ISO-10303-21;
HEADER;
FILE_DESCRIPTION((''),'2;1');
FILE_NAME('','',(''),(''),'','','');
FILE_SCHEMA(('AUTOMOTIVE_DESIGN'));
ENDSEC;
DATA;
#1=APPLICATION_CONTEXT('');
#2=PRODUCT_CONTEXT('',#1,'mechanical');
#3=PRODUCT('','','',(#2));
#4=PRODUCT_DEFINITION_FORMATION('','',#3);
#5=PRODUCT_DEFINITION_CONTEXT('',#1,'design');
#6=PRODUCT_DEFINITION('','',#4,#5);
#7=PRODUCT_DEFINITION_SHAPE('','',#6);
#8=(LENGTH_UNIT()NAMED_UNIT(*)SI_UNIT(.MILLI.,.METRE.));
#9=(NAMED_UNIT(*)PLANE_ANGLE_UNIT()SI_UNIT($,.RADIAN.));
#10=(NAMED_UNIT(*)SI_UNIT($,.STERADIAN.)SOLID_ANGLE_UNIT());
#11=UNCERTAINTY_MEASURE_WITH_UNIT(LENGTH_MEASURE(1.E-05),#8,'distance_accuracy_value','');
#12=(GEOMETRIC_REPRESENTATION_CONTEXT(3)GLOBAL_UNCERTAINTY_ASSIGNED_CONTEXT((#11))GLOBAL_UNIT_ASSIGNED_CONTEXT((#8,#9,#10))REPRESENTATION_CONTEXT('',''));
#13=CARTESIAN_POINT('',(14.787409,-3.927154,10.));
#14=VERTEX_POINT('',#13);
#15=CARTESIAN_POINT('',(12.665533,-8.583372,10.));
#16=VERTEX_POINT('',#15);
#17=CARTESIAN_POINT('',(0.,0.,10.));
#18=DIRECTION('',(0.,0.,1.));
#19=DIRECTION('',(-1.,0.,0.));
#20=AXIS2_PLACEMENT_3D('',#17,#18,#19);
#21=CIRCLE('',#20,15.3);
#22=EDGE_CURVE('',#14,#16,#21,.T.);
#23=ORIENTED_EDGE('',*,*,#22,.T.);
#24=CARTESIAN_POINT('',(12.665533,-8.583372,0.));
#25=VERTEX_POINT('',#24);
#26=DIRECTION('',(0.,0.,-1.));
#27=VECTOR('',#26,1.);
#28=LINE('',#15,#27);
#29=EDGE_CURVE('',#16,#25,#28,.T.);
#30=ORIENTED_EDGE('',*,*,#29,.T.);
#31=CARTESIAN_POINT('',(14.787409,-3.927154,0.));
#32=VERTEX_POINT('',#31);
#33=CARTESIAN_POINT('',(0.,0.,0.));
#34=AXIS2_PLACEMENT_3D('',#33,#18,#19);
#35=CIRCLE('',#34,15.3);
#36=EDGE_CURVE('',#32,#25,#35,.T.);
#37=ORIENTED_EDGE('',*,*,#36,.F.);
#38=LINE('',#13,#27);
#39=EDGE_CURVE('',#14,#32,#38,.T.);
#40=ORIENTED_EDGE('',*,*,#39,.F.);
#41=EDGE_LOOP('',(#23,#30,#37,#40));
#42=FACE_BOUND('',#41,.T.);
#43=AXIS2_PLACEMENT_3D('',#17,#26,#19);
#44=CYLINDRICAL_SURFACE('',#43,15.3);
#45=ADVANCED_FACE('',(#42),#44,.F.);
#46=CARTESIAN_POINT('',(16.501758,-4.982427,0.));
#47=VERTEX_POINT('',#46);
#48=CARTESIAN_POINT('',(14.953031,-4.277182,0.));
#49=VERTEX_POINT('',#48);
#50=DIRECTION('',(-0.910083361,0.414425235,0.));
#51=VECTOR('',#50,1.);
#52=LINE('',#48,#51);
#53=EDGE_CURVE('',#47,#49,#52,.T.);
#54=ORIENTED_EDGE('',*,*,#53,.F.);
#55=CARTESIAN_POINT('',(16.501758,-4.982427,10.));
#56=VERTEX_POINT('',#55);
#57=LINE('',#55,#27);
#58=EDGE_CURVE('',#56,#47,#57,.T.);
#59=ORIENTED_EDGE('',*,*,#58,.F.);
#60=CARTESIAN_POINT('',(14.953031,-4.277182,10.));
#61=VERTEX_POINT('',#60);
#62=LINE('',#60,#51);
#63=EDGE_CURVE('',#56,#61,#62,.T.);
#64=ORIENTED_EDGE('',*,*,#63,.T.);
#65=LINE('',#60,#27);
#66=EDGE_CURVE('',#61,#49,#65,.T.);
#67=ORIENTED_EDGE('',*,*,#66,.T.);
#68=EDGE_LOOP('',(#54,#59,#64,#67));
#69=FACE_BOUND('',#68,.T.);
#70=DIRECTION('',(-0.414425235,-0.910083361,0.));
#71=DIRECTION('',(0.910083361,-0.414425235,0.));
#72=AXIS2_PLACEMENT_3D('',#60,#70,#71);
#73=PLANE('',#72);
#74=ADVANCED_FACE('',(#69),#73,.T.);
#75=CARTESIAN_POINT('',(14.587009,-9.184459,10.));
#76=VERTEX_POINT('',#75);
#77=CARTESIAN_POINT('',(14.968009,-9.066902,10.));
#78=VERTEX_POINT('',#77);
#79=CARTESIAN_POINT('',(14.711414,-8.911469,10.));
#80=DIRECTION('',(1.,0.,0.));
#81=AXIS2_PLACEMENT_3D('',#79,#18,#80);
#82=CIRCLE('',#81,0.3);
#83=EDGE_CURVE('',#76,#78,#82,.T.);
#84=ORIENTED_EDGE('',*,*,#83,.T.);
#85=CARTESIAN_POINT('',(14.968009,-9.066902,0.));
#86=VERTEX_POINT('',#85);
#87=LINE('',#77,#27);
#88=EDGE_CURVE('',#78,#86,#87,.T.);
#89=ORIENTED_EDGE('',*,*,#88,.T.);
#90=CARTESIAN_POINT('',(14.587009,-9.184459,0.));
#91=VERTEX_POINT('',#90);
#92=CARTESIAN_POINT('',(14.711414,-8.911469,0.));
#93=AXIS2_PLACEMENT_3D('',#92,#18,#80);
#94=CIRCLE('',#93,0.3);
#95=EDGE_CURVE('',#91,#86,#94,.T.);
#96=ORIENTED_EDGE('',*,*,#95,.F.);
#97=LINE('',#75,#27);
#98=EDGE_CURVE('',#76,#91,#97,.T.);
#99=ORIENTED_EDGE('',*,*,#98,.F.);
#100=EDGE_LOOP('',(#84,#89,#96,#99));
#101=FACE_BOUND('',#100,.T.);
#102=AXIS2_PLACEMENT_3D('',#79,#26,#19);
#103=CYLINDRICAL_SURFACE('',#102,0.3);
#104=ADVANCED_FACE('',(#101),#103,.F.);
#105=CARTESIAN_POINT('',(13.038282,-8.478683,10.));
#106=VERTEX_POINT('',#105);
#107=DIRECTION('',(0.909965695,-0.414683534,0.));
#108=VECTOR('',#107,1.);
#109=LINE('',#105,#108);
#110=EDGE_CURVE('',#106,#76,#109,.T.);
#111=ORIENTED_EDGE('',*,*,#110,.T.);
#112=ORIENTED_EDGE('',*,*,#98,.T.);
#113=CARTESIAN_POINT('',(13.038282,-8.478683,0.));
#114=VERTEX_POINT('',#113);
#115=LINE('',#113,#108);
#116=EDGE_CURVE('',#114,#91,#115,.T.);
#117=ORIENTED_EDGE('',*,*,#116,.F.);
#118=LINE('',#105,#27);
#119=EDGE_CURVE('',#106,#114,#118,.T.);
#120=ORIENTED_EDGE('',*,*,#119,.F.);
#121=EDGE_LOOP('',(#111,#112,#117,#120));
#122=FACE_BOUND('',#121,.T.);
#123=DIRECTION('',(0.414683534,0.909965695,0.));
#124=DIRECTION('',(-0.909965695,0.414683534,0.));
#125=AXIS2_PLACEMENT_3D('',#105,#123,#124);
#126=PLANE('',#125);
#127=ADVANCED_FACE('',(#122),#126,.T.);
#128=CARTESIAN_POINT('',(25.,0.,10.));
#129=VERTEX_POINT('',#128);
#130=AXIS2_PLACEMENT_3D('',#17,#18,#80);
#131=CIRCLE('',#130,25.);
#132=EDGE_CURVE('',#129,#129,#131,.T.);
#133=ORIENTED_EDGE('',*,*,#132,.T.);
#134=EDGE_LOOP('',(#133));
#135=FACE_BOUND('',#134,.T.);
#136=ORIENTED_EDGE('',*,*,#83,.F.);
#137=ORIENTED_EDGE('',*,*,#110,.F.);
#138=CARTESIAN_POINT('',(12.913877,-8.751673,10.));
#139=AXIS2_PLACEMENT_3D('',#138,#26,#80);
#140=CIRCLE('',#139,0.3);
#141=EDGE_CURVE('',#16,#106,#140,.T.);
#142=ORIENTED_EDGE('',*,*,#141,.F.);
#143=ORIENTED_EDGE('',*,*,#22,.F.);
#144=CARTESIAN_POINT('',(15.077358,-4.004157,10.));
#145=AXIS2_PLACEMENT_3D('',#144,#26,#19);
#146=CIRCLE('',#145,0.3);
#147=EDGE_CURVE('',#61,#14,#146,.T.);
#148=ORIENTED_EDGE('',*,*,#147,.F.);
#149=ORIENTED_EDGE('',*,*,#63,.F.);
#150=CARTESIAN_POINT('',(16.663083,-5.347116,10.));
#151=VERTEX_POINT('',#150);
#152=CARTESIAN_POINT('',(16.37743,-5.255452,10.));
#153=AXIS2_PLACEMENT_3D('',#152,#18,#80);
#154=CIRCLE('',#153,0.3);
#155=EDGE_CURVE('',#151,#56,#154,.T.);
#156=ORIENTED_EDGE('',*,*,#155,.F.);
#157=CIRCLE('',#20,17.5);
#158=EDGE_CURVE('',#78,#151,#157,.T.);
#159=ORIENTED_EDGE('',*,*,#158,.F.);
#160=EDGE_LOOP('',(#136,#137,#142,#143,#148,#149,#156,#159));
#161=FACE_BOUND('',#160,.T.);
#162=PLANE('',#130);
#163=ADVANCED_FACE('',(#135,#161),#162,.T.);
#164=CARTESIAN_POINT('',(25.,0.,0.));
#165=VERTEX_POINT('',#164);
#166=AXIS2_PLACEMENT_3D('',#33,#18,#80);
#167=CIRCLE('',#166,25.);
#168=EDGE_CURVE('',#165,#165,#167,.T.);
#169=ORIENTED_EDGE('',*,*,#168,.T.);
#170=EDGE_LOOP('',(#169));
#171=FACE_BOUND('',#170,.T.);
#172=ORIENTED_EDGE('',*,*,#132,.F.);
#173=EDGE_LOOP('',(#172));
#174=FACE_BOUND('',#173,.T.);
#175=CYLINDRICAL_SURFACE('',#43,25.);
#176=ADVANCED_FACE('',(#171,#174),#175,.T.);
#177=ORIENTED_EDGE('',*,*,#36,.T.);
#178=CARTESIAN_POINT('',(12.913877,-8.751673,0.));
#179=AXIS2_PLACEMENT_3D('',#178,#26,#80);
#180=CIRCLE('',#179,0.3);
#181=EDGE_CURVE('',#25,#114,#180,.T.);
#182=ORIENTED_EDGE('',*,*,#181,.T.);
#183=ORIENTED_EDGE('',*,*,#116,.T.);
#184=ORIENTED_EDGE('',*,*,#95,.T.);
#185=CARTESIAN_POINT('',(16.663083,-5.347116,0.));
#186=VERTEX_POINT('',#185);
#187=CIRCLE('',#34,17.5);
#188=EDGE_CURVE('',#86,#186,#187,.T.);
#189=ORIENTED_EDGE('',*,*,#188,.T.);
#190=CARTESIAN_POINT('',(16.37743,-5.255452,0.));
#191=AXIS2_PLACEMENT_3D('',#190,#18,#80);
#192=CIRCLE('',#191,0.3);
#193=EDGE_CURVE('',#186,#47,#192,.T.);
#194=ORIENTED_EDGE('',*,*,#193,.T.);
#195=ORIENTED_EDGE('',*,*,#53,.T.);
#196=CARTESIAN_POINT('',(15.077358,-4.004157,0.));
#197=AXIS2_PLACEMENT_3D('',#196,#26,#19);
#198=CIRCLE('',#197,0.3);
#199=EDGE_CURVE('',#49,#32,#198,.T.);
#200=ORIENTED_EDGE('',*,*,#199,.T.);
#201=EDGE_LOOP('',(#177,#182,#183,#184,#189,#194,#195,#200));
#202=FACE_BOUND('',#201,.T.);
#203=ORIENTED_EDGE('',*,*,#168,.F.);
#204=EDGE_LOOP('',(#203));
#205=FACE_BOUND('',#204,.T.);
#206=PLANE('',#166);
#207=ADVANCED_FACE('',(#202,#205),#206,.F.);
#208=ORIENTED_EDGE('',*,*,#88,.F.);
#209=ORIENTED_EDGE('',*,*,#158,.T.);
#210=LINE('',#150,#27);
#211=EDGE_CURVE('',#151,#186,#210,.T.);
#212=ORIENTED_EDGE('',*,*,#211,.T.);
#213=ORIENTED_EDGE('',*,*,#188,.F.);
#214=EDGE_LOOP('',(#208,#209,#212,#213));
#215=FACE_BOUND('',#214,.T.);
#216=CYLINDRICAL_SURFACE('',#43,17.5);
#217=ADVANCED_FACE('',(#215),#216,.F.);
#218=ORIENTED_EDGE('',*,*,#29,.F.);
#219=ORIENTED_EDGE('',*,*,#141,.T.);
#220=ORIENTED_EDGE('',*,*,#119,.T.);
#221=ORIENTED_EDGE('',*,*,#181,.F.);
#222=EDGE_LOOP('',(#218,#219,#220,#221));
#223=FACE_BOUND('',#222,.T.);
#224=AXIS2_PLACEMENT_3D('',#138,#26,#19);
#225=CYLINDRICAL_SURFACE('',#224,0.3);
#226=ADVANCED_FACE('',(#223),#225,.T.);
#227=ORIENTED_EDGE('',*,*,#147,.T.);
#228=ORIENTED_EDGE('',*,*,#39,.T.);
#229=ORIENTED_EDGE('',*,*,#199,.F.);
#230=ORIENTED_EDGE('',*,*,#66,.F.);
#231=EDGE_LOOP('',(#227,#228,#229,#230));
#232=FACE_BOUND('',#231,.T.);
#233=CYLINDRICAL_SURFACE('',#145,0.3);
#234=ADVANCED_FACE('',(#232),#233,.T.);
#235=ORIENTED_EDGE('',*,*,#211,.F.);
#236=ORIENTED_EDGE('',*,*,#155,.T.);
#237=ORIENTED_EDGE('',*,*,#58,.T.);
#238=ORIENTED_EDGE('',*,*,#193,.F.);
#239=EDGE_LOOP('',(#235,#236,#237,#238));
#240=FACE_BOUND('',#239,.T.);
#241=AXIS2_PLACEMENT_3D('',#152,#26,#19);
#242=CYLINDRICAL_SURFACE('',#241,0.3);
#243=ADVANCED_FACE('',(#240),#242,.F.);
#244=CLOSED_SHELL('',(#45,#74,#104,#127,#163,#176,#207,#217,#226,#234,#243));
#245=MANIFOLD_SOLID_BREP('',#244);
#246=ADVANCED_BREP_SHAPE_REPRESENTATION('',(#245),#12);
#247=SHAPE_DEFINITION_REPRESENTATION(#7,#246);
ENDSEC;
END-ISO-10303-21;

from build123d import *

# Parameters (mm, degrees)
ESQUISSE1_R        = 25
BOSS_EXTRU_1_DEPTH = 10


with BuildPart() as part:
    # Esquisse1 → Boss.-Extru.1 (new body)
    with BuildSketch(Plane.XY):
        Circle(ESQUISSE1_R)
        with BuildLine():
            Line((14.953030626, -4.277181575), (16.501758042, -4.982426557))
            ThreePointArc((16.501758042, -4.982426557), (16.651785463, -5.134087079), (16.663083329, -5.347116418))
            ThreePointArc((16.663083329, -5.347116418), (15.924531384, -7.256672806), (14.968008895, -9.066901881))
            ThreePointArc((14.968008895, -9.066901881), (14.799864591, -9.198133844), (14.587009397, -9.184458985))
            Line((14.587009397, -9.184458985), (13.038282108, -8.478683252))
            ThreePointArc((13.038282108, -8.478683252), (12.832759155, -8.462847948), (12.665533258, -8.583371557))
            ThreePointArc((12.665533258, -8.583371557), (-13.922503409, 6.344596033), (14.787409001, -3.927153556))
            ThreePointArc((14.787409001, -3.927153556), (14.806182583, -4.132467854), (14.953030626, -4.277181575))
        make_face(mode=Mode.SUBTRACT)
    extrude(amount=BOSS_EXTRU_1_DEPTH)


solid = part.part
